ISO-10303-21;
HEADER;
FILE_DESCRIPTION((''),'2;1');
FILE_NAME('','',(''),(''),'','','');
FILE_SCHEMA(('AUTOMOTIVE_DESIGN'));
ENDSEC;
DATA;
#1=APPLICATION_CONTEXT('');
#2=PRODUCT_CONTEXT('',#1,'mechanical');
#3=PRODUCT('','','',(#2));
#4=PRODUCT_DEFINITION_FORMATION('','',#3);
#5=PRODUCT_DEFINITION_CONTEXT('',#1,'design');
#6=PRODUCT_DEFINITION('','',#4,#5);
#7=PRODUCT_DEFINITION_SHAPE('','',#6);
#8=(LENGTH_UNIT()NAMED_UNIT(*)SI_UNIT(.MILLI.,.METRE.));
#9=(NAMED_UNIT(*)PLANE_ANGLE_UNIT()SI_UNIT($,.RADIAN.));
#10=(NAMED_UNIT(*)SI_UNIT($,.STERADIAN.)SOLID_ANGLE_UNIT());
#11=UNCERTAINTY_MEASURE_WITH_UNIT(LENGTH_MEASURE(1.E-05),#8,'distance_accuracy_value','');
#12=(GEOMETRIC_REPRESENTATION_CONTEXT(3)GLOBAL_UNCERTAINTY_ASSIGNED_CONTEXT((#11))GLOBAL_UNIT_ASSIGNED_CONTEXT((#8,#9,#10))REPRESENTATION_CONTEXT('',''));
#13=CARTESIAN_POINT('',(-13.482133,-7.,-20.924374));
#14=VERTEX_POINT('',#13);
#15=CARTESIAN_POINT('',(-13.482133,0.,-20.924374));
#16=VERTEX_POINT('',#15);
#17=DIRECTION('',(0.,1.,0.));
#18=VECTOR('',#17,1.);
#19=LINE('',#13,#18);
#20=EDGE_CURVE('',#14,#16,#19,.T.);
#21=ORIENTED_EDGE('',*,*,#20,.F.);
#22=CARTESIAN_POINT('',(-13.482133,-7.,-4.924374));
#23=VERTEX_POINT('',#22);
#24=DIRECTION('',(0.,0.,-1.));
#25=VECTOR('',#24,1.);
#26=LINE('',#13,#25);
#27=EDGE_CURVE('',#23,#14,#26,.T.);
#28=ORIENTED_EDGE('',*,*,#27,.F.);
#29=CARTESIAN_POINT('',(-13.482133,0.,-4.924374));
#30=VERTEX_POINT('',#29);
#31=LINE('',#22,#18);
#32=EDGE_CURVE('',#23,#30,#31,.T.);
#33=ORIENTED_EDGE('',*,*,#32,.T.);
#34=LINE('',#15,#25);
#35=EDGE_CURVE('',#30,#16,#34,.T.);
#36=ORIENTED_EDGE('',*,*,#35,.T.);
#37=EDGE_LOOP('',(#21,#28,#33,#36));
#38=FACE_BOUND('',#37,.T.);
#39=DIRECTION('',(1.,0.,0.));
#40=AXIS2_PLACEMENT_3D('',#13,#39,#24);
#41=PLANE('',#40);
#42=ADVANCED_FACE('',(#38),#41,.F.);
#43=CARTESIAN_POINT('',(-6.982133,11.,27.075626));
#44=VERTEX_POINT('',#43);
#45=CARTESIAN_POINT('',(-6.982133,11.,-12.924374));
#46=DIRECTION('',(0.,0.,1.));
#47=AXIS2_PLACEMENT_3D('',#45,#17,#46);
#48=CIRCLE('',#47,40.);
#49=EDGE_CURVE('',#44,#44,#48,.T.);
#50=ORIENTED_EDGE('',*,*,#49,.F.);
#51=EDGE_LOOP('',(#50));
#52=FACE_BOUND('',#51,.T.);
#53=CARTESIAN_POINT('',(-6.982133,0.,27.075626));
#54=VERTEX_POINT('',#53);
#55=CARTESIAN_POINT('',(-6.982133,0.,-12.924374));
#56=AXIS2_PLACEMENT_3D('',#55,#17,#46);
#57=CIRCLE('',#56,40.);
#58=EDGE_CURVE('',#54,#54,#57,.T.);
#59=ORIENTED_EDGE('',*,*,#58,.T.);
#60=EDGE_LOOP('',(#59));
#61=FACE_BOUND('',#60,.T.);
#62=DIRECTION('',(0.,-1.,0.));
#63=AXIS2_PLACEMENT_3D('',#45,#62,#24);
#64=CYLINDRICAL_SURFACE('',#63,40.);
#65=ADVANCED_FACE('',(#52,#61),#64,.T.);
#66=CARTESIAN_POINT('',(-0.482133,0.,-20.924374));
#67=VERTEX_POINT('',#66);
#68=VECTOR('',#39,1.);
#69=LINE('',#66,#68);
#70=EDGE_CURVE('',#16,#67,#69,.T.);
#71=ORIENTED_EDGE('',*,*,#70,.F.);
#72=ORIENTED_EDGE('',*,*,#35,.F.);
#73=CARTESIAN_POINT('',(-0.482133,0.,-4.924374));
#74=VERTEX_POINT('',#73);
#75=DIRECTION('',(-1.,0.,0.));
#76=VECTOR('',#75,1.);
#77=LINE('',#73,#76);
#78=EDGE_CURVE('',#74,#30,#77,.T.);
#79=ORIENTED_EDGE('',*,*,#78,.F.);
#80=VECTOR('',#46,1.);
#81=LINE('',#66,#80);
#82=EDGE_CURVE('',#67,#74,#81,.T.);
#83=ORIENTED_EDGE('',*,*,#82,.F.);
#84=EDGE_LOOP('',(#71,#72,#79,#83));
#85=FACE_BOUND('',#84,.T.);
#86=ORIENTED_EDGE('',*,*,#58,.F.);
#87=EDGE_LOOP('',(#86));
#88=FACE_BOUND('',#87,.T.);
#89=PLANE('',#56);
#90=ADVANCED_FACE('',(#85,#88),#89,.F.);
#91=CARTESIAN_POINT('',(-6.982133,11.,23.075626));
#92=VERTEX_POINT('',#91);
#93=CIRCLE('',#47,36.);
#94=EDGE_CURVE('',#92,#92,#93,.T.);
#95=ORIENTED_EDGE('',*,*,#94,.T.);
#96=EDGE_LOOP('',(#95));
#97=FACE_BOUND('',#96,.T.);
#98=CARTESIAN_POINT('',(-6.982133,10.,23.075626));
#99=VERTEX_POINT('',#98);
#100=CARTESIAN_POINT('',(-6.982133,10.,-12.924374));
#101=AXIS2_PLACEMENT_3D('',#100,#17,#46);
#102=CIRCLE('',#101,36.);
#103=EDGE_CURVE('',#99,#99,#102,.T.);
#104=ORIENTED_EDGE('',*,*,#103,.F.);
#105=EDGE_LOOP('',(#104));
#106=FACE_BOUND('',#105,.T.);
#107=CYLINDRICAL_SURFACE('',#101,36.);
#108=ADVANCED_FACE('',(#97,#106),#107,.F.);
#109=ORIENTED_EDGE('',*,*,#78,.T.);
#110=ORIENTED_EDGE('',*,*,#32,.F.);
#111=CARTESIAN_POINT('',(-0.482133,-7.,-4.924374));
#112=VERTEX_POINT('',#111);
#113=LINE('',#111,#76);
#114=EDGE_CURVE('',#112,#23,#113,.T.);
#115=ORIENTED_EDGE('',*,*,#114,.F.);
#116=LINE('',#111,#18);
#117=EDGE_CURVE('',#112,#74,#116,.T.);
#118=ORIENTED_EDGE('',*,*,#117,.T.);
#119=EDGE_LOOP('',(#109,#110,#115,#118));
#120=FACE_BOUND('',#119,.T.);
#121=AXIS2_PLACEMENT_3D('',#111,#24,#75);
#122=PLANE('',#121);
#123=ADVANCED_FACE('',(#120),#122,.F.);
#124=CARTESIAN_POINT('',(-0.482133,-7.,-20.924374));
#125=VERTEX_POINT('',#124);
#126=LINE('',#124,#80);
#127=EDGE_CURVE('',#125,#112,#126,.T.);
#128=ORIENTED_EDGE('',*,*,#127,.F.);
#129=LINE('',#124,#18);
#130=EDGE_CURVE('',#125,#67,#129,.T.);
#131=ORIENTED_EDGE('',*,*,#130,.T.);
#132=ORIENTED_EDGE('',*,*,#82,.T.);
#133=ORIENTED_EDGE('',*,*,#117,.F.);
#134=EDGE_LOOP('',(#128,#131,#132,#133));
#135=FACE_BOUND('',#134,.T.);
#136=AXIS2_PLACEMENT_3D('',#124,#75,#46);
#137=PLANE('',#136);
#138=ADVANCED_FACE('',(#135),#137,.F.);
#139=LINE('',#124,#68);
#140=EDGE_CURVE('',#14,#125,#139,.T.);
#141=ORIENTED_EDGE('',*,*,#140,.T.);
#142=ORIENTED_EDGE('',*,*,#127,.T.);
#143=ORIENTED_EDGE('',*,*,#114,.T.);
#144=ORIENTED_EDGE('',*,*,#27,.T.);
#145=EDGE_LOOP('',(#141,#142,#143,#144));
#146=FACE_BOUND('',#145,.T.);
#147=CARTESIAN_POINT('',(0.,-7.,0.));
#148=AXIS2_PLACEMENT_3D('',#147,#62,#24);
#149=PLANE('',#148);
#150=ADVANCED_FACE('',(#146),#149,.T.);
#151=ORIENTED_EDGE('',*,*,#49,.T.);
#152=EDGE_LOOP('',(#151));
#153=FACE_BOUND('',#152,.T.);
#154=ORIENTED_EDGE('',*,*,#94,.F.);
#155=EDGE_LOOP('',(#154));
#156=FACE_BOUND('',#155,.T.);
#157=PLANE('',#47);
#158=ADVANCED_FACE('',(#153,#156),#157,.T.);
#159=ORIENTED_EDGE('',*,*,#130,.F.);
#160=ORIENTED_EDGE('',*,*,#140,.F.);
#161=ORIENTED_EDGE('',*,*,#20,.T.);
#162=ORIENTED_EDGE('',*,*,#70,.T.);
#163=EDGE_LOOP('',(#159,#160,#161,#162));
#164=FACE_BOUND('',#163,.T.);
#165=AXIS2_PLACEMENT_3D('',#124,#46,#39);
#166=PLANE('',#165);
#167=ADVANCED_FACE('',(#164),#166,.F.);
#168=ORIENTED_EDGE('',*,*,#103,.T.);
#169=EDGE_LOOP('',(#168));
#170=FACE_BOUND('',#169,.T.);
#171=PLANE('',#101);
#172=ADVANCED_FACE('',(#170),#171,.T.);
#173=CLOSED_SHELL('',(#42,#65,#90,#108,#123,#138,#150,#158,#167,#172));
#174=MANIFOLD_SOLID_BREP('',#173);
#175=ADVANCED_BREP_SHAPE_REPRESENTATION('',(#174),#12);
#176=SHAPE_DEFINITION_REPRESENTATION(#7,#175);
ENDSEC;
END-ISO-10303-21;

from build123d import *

# Parameters (mm, degrees)
IZIM1_R                     = 40
Y_KSEKLIK_EKSTR_ZYON1_DEPTH = 11
IZIM2_R                     = 36
KES_EKSTR_ZYON2_DEPTH       = 1
IZIM3_W                     = 13
IZIM3_H                     = 16
Y_KSEKLIK_EKSTR_ZYON2_DEPTH = 7


with BuildPart() as part:
    # Çizim1 → Yükseklik-Ekstrüzyon1 (new body)
    with BuildSketch(Plane(origin=(0, 0, 0), x_dir=(1, 0, 0), z_dir=(0, 1, 0))):
        with Locations(Location((-6.982132923, 12.924373709, 0), (0, 0, 270))):
            Circle(IZIM1_R)
    extrude(amount=Y_KSEKLIK_EKSTR_ZYON1_DEPTH)

    # Çizim2 → Kes-Ekstrüzyon2 (cut)
    with BuildSketch(Plane(origin=(0, 11, 0), x_dir=(1, 0, 0), z_dir=(0, 1, 0))):
        with Locations(Location((-6.982132923, 12.924373709, 0), (0, 0, 270))):
            Circle(IZIM2_R)
    extrude(amount=-KES_EKSTR_ZYON2_DEPTH, mode=Mode.SUBTRACT)

    # Çizim3 → Yükseklik-Ekstrüzyon2 (add)
    with BuildSketch(Plane.XZ):
        with Locations((-6.982132923, -12.924373709)):
            Rectangle(IZIM3_W, IZIM3_H)
    extrude(amount=Y_KSEKLIK_EKSTR_ZYON2_DEPTH)


solid = part.part
